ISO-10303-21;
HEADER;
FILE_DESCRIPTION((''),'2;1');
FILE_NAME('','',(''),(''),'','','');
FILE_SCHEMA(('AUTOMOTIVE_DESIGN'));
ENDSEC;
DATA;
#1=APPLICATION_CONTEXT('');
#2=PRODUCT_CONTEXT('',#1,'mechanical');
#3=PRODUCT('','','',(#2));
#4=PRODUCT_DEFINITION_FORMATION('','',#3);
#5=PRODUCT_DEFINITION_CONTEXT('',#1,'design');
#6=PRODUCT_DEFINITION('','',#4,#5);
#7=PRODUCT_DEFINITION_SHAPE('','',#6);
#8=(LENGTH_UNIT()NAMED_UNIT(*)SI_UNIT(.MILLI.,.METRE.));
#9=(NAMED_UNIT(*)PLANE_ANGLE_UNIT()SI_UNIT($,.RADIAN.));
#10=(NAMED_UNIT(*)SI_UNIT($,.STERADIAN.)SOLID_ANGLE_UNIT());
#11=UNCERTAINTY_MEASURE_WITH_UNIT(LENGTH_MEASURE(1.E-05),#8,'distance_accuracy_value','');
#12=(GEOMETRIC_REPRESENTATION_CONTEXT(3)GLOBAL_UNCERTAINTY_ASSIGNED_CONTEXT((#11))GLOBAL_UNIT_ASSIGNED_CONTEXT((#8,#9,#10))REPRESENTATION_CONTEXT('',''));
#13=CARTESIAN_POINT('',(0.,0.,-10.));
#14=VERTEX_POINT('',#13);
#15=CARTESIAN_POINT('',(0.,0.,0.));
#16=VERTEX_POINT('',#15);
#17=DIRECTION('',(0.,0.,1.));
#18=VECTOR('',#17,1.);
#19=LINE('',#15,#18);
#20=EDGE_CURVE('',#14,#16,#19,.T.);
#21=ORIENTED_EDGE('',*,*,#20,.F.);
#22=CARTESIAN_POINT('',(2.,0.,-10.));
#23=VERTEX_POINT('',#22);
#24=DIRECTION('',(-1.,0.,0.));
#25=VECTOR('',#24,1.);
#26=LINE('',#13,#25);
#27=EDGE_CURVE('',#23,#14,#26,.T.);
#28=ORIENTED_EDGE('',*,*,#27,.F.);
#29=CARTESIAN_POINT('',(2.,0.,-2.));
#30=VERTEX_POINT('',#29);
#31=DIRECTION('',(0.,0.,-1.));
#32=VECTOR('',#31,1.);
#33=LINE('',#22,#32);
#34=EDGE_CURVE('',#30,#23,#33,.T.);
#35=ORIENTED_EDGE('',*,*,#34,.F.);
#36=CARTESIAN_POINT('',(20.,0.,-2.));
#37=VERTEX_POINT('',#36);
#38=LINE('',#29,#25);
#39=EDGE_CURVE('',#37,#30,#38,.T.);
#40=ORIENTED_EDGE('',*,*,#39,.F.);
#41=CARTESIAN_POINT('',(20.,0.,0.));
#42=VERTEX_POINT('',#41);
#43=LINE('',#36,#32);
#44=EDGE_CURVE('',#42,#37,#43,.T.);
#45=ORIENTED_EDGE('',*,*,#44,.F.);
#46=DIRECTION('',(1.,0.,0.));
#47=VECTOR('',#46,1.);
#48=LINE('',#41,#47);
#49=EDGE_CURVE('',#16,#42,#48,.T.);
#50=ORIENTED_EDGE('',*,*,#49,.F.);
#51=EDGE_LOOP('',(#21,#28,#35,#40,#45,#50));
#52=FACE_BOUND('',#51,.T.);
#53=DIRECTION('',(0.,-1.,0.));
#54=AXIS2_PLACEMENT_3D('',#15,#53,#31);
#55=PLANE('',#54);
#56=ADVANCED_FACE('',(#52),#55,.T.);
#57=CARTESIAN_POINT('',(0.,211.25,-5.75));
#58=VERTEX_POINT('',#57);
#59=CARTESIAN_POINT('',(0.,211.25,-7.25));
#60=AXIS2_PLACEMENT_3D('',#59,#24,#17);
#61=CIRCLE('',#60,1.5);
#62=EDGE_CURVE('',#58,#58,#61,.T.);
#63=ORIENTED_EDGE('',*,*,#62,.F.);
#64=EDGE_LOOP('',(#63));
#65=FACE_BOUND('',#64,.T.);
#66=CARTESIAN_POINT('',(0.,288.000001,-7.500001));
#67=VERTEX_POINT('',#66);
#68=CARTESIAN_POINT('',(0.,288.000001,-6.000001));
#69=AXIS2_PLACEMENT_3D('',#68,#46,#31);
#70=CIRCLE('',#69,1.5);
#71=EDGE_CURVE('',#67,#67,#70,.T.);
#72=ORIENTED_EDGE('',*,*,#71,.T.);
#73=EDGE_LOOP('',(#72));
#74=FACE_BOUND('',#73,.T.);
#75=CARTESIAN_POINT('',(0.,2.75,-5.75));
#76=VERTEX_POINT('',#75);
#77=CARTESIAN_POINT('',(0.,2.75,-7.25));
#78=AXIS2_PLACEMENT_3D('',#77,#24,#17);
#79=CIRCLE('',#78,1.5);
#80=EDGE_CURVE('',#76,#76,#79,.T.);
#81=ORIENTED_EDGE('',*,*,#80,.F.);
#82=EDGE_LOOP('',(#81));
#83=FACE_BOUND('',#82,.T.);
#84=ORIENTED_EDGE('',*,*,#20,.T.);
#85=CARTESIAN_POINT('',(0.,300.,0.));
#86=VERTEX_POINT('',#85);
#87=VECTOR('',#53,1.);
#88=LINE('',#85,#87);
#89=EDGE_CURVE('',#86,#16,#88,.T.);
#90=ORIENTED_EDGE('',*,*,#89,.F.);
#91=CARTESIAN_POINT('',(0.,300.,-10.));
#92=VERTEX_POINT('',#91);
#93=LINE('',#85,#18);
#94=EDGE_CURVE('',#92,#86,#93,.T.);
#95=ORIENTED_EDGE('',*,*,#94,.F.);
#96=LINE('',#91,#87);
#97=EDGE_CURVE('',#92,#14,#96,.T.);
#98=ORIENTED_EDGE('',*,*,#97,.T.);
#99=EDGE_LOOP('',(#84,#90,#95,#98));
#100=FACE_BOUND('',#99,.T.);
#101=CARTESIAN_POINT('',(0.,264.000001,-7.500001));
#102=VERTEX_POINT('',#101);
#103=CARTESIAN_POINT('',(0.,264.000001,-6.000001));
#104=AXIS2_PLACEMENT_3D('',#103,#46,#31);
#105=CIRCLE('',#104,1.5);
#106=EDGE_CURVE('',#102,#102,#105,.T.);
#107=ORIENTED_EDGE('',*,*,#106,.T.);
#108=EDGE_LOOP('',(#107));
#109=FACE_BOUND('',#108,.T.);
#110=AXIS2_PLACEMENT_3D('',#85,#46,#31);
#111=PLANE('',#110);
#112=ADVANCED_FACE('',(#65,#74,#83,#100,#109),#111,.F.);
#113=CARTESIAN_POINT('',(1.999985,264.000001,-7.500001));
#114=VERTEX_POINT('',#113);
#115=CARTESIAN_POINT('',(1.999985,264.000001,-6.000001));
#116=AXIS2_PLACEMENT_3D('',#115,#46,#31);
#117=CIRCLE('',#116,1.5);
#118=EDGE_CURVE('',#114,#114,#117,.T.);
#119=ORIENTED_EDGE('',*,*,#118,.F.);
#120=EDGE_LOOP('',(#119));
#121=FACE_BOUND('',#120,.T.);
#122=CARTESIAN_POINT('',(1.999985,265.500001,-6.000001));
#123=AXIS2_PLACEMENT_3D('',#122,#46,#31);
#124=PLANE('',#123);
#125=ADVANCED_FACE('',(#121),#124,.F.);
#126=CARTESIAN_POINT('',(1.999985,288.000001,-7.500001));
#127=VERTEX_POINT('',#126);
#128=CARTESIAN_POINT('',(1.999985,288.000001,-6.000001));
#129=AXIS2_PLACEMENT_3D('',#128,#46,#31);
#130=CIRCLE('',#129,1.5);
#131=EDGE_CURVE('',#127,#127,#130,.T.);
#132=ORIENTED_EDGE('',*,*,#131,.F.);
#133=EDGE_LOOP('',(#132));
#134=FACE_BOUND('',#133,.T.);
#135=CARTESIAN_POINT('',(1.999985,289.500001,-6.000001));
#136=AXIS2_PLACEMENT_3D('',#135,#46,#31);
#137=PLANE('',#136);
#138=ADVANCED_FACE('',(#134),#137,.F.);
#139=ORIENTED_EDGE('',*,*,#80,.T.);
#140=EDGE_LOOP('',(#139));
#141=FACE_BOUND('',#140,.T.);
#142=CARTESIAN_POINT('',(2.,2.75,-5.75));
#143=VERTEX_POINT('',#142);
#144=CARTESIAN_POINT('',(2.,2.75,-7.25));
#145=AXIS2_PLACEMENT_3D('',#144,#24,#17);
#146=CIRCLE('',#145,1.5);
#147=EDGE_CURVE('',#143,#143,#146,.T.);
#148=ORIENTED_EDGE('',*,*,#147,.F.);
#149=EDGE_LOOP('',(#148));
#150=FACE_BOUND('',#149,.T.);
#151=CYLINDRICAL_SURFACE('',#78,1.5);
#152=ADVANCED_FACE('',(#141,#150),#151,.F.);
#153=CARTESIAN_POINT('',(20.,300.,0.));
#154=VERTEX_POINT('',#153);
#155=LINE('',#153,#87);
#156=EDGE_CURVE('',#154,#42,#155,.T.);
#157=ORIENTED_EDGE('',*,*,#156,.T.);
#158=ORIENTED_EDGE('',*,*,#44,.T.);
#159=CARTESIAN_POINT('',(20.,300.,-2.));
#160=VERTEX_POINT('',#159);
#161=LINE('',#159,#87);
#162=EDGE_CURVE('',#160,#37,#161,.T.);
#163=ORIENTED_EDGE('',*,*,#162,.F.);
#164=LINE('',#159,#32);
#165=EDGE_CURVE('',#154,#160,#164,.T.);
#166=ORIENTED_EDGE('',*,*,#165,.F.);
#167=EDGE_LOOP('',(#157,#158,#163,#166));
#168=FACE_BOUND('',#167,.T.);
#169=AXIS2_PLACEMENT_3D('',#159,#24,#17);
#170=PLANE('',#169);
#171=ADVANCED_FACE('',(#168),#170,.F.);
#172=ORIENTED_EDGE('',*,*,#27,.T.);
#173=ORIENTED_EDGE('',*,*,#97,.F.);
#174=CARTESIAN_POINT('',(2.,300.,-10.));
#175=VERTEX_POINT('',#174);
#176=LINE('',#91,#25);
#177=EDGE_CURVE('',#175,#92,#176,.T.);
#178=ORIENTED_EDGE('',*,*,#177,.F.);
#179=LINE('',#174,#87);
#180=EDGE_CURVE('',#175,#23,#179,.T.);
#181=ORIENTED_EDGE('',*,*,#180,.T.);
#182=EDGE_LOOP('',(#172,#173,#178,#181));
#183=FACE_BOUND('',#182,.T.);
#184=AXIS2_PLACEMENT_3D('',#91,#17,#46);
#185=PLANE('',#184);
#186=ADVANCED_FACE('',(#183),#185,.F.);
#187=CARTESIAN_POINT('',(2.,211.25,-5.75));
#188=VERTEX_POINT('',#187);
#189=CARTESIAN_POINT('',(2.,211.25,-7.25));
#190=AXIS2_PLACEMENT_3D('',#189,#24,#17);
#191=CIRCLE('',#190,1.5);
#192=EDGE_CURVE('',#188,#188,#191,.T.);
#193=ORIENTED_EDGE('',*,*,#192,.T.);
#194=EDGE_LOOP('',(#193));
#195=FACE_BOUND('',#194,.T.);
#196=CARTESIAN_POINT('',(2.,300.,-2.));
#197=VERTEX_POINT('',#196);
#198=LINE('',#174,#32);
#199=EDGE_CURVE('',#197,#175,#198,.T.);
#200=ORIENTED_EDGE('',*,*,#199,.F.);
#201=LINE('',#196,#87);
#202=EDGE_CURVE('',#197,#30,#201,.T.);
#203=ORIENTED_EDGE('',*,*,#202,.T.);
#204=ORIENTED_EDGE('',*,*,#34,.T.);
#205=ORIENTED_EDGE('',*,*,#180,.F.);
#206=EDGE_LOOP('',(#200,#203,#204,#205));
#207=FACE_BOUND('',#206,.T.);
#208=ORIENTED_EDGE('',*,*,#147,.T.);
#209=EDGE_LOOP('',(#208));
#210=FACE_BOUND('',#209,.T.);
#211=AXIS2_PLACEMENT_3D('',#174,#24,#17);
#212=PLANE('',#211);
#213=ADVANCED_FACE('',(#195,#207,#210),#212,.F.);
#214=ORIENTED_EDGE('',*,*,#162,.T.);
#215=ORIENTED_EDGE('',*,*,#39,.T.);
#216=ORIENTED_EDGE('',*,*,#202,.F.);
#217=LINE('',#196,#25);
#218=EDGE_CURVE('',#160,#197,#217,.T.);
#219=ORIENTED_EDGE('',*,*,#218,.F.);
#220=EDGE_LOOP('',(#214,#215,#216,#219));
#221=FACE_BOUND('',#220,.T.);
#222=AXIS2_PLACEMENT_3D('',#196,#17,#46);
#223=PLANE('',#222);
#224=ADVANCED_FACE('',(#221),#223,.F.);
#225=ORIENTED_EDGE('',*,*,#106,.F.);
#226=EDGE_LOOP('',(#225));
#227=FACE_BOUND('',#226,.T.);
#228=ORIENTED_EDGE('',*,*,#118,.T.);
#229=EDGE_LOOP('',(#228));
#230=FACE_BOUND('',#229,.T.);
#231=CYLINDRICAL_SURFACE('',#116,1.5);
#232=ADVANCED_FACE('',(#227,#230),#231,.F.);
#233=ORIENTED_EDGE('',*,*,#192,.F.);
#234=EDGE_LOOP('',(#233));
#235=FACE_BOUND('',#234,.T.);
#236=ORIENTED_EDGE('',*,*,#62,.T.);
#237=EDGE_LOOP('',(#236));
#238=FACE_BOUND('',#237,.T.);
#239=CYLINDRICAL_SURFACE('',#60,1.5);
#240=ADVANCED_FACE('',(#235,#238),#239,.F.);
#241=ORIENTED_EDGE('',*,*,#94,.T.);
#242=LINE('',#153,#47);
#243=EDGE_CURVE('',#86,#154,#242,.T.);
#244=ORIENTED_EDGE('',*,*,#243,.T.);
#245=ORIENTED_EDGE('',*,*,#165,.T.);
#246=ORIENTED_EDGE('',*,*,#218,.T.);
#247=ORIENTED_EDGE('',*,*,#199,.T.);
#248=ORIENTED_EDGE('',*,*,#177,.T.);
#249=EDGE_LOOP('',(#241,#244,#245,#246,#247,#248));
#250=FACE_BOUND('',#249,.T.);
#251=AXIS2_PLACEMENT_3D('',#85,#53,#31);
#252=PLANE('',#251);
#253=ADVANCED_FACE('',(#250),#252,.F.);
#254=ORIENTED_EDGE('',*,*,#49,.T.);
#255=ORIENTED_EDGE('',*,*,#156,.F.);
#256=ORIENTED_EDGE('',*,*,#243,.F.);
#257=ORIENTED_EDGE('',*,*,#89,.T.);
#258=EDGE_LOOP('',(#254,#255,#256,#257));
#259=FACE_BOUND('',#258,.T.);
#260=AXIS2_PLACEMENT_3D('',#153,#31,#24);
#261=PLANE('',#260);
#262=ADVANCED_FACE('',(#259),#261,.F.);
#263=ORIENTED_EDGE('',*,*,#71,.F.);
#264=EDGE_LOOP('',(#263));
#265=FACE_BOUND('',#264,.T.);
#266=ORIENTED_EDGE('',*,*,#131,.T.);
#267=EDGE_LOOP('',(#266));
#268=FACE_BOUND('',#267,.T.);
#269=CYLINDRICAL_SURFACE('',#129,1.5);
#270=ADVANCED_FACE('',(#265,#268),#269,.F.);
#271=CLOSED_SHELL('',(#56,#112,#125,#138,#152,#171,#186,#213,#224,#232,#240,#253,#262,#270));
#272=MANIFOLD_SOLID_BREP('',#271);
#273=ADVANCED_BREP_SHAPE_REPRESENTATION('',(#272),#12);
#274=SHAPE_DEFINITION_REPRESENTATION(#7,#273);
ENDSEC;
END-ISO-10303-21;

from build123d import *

# Parameters (mm, degrees)
BOSS_EXTRUDE1_DEPTH               = 300
F_3_0MM_DOWEL_HOLE1_D             = 3
F_3_0MM_DOWEL_HOLE2_D             = 3
SKETCH9_W                         = 1.5
SKETCH9_H                         = 1.999985051
F_3_0_3_DIAMETER_HOLE1_AT_2_COUNT = 2
F_3_0_3_DIAMETER_HOLE1_AT_2_PITCH = 24


with BuildPart() as part:
    # Sketch1 → Boss-Extrude1 (new body)
    with BuildSketch(Plane(origin=(0, 0, 0), x_dir=(1, 0, 0), z_dir=(0, 1, 0))):
        Polygon((0, 0), (0, 10), (2, 10), (2, 2), (20, 2), (20, 0), align=None)
    extrude(amount=BOSS_EXTRUDE1_DEPTH)

    # Ø3.0mm Dowel Hole1 (through all)
    with Locations(Plane.ZY):
        with Locations((-7.25, 2.75)):
            Hole(F_3_0MM_DOWEL_HOLE1_D / 2)

    # Ø3.0mm Dowel Hole2 (through all)
    with Locations(Plane.ZY):
        with Locations((-7.25, 211.25)):
            Hole(F_3_0MM_DOWEL_HOLE2_D / 2)

    # Sketch9 → Ø3.0 (3) Diameter Hole1 (revolve, cut)
    with BuildSketch(Plane(origin=(1.999985051, 288.000001132, -6.000000538), x_dir=(0, 0, -1), z_dir=(0, 1, 0))):
        with Locations((0.75, 0.999992526)):
            Rectangle(SKETCH9_W, SKETCH9_H)
    f_3_0_3_diameter_hole1 = revolve(axis=Axis((8.349985051, 288.000001132, -6.000000538), (-1, 0, 0)), mode=Mode.SUBTRACT)

    # Ø3.0 (3) Diameter Hole1 at 2: Ø3.0 (3) Diameter Hole1 ×2
    with Locations(*[(0, -i * F_3_0_3_DIAMETER_HOLE1_AT_2_PITCH, 0) for i in range(1, F_3_0_3_DIAMETER_HOLE1_AT_2_COUNT)]):
        add(f_3_0_3_diameter_hole1, mode=Mode.SUBTRACT)


solid = part.part
